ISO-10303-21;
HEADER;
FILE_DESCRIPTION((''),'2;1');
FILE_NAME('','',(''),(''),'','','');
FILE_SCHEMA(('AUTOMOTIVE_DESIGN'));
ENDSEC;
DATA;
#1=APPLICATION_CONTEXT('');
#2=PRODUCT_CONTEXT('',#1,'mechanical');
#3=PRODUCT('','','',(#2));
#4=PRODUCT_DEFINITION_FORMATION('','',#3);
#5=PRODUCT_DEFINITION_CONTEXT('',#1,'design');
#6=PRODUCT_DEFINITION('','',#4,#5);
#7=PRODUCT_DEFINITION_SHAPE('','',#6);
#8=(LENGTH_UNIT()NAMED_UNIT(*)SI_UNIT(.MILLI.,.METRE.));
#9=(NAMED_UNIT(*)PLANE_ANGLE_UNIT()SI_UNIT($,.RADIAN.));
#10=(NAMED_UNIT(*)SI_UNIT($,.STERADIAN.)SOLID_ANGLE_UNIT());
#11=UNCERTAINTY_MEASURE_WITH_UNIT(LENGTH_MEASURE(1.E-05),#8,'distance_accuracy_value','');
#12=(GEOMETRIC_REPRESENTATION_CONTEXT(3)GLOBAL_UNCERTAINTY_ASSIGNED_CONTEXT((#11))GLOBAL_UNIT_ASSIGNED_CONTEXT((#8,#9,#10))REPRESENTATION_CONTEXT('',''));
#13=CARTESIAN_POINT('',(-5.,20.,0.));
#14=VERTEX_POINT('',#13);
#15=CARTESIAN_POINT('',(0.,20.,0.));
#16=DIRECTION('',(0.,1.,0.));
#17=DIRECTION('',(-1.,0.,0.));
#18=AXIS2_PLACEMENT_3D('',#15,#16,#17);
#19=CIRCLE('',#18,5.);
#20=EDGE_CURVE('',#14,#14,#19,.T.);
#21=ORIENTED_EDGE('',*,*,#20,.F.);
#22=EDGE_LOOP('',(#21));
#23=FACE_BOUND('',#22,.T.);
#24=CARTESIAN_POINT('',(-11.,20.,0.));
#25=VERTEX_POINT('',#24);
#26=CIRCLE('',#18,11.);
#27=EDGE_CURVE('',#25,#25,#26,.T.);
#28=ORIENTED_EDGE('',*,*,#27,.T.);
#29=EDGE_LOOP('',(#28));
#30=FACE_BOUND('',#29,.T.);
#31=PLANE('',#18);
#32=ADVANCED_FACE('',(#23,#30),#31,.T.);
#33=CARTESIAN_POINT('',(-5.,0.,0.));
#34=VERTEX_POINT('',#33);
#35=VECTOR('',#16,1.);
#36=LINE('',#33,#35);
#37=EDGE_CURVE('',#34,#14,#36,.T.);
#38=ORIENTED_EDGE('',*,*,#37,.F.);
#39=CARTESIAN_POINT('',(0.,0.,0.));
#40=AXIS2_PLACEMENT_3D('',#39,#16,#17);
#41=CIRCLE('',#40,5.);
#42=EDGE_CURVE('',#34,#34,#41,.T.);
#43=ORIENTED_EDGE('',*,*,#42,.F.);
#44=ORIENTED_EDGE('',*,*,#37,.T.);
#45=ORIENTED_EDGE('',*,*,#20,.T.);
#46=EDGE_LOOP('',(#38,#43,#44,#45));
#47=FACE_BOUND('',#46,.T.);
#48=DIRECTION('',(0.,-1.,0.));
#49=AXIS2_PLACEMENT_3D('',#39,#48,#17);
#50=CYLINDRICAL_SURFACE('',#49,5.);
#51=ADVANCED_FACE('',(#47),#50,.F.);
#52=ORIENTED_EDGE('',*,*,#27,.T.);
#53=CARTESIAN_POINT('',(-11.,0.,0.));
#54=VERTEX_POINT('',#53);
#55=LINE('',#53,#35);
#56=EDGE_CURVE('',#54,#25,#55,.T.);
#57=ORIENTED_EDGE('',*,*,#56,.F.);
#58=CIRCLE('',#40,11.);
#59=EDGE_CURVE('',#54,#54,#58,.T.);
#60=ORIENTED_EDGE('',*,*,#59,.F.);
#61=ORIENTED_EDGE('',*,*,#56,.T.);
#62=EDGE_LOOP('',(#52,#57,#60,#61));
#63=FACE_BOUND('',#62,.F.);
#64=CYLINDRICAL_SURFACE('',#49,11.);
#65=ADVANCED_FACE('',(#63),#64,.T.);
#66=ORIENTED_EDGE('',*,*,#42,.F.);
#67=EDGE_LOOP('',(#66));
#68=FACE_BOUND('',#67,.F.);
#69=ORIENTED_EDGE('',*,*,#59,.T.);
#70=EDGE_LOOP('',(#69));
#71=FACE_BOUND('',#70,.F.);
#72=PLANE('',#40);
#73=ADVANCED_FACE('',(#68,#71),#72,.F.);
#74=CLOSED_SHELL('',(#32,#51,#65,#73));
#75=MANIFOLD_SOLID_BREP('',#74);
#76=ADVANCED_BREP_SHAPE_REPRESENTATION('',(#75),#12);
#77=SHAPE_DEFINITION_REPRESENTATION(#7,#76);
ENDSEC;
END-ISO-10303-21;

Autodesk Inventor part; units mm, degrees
ref_plane "YZ Plane" through (0, 0, 0) normal (1, 0, 0) x (0, 1, 0)
ref_plane "XZ Plane" through (0, 0, 0) normal (0, 1, 0) x (-1, 0, 0)
ref_plane "XY Plane" through (0, 0, 0) normal (0, 0, 1) x (1, 0, 0)
sketch "Sketch1" plane through (0, 0, 0) normal (0, 1, 0) x (-1, 0, 0)
  circle A0 centre (0, 0) radius 5
  circle A1 centre (0, 0) radius 11
  dimension "d0" = 10
  dimension "d1" = 22
extrude "Extrusion1" add sketch "Sketch1" along normal blind 20
properties part number "SpindleBlock_V1" material "Brass, Soft Yellow"
